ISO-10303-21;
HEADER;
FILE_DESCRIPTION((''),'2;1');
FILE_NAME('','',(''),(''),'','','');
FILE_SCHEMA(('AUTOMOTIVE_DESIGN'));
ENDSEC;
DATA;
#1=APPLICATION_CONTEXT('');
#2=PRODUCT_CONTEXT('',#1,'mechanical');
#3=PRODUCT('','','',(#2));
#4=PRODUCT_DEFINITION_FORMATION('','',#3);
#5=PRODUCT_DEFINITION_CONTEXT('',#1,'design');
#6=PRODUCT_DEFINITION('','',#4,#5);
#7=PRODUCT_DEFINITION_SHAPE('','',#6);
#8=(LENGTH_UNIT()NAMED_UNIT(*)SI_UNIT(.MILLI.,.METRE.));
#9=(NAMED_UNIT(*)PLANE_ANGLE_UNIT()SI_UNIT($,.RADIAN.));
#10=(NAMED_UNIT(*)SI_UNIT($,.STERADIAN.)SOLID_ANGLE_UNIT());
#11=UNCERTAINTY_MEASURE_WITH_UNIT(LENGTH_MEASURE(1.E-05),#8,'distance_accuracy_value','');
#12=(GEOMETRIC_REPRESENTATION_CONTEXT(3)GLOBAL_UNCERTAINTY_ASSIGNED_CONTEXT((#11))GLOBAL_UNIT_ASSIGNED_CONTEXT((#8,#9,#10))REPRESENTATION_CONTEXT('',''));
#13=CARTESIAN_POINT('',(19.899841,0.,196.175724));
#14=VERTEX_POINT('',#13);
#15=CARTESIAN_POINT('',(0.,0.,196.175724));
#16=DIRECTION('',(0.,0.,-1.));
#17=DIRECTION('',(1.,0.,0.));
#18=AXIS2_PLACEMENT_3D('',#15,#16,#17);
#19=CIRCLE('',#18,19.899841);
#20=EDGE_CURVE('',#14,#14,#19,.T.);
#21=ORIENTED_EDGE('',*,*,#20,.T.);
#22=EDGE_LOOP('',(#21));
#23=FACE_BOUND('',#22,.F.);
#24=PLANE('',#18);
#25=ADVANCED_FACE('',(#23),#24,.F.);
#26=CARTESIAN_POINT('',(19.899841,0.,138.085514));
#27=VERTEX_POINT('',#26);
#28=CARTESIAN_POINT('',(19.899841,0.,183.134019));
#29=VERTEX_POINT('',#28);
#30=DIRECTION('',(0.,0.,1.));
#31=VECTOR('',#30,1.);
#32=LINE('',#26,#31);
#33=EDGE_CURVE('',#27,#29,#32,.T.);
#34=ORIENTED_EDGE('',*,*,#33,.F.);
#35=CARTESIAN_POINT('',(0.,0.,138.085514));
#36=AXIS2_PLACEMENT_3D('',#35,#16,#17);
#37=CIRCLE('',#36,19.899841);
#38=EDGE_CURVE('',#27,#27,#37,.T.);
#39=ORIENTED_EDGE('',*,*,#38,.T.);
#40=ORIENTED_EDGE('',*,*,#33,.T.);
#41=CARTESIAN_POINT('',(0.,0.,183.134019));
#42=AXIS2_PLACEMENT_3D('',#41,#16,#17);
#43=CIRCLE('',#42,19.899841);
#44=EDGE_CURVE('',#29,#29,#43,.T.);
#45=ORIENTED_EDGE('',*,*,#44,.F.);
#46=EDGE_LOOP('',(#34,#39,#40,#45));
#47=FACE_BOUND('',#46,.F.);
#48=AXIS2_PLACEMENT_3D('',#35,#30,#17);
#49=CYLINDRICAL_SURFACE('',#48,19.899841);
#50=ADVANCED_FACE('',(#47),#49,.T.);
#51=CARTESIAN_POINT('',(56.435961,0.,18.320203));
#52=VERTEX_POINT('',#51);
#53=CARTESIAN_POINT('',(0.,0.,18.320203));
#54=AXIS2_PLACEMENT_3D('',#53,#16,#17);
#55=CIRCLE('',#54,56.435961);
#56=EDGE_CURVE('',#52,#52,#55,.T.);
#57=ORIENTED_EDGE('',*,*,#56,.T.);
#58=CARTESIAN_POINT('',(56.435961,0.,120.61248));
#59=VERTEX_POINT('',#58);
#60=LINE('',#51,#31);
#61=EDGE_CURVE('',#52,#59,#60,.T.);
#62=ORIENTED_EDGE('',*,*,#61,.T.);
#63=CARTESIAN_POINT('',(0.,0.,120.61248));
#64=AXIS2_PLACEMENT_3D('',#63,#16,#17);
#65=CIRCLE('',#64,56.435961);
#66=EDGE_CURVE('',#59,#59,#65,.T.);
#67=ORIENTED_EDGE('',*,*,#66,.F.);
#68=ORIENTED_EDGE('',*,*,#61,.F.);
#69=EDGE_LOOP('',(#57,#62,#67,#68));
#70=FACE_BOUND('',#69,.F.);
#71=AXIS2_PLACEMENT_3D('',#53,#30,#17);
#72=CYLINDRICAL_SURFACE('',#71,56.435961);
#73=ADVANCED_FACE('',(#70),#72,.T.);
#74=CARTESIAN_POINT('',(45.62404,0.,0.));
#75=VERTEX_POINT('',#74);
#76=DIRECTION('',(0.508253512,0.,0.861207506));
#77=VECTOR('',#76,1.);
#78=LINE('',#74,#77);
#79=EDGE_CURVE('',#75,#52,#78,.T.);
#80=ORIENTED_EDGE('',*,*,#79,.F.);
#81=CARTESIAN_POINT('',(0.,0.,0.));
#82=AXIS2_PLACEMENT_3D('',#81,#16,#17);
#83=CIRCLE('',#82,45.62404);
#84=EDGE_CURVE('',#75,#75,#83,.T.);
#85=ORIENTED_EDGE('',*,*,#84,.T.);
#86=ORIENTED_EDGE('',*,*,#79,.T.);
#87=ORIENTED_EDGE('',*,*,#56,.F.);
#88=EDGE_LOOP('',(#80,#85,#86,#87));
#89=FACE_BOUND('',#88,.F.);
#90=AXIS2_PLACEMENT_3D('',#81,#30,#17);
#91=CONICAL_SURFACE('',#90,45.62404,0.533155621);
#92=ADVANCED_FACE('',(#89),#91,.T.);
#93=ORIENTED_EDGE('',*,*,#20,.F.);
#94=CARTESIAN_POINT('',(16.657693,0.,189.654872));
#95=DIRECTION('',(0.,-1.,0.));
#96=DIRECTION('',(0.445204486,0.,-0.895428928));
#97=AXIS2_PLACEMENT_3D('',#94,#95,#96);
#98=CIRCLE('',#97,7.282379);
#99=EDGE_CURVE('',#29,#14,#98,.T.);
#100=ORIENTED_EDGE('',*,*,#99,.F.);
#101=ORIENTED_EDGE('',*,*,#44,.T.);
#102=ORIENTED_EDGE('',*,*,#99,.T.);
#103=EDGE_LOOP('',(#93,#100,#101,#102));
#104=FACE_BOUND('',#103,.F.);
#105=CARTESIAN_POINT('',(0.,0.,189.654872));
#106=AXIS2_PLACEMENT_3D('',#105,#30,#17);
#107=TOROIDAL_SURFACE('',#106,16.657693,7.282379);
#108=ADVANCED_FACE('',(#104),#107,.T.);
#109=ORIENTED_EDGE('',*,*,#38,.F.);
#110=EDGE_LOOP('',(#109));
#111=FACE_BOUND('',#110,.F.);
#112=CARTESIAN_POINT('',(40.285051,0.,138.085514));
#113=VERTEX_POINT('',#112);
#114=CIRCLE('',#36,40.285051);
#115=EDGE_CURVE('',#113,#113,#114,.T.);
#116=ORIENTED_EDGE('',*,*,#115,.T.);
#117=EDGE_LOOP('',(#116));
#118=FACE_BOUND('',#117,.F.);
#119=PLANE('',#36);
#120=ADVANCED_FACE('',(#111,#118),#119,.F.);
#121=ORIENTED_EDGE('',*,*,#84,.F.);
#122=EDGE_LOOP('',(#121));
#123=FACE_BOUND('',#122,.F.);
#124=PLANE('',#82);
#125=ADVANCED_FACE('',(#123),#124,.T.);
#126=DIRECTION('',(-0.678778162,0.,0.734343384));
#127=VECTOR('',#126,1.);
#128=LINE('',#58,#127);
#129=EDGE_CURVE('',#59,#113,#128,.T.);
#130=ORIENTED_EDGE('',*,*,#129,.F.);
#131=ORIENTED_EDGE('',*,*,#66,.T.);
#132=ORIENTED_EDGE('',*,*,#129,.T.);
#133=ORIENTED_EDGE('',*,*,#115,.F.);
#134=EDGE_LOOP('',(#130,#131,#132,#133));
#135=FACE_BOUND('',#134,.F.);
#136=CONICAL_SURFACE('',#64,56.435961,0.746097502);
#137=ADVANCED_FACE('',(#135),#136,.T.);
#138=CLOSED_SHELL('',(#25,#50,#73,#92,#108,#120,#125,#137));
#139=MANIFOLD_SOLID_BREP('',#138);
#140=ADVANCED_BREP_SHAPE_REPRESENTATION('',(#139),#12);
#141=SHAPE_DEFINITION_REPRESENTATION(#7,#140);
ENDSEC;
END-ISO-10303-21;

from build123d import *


with BuildPart() as f1:
    # F0 (on Front) → F1 (revolve)
    with BuildSketch(Plane.XZ):
        with BuildLine():
            Line((0, 196.175724), (0, 0))
            Line((0, 0), (45.62404, 0))
            Line((45.62404, 0), (56.435961, 18.320203))
            Line((56.435961, 18.320203), (56.435961, 120.61248))
            Line((56.435961, 120.61248), (40.285051, 138.085514))
            Line((40.285051, 138.085514), (19.899841, 138.085514))
            Line((19.899841, 138.085514), (19.899841, 183.134019))
            ThreePointArc((19.899841, 183.134019), (23.940072, 189.654872), (19.899841, 196.175724))
            Line((19.899841, 196.175724), (0, 196.175724))
        make_face()
    revolve(axis=Axis((0, 0, 98.087862), (0, 0, -1)))


solid = f1.part
